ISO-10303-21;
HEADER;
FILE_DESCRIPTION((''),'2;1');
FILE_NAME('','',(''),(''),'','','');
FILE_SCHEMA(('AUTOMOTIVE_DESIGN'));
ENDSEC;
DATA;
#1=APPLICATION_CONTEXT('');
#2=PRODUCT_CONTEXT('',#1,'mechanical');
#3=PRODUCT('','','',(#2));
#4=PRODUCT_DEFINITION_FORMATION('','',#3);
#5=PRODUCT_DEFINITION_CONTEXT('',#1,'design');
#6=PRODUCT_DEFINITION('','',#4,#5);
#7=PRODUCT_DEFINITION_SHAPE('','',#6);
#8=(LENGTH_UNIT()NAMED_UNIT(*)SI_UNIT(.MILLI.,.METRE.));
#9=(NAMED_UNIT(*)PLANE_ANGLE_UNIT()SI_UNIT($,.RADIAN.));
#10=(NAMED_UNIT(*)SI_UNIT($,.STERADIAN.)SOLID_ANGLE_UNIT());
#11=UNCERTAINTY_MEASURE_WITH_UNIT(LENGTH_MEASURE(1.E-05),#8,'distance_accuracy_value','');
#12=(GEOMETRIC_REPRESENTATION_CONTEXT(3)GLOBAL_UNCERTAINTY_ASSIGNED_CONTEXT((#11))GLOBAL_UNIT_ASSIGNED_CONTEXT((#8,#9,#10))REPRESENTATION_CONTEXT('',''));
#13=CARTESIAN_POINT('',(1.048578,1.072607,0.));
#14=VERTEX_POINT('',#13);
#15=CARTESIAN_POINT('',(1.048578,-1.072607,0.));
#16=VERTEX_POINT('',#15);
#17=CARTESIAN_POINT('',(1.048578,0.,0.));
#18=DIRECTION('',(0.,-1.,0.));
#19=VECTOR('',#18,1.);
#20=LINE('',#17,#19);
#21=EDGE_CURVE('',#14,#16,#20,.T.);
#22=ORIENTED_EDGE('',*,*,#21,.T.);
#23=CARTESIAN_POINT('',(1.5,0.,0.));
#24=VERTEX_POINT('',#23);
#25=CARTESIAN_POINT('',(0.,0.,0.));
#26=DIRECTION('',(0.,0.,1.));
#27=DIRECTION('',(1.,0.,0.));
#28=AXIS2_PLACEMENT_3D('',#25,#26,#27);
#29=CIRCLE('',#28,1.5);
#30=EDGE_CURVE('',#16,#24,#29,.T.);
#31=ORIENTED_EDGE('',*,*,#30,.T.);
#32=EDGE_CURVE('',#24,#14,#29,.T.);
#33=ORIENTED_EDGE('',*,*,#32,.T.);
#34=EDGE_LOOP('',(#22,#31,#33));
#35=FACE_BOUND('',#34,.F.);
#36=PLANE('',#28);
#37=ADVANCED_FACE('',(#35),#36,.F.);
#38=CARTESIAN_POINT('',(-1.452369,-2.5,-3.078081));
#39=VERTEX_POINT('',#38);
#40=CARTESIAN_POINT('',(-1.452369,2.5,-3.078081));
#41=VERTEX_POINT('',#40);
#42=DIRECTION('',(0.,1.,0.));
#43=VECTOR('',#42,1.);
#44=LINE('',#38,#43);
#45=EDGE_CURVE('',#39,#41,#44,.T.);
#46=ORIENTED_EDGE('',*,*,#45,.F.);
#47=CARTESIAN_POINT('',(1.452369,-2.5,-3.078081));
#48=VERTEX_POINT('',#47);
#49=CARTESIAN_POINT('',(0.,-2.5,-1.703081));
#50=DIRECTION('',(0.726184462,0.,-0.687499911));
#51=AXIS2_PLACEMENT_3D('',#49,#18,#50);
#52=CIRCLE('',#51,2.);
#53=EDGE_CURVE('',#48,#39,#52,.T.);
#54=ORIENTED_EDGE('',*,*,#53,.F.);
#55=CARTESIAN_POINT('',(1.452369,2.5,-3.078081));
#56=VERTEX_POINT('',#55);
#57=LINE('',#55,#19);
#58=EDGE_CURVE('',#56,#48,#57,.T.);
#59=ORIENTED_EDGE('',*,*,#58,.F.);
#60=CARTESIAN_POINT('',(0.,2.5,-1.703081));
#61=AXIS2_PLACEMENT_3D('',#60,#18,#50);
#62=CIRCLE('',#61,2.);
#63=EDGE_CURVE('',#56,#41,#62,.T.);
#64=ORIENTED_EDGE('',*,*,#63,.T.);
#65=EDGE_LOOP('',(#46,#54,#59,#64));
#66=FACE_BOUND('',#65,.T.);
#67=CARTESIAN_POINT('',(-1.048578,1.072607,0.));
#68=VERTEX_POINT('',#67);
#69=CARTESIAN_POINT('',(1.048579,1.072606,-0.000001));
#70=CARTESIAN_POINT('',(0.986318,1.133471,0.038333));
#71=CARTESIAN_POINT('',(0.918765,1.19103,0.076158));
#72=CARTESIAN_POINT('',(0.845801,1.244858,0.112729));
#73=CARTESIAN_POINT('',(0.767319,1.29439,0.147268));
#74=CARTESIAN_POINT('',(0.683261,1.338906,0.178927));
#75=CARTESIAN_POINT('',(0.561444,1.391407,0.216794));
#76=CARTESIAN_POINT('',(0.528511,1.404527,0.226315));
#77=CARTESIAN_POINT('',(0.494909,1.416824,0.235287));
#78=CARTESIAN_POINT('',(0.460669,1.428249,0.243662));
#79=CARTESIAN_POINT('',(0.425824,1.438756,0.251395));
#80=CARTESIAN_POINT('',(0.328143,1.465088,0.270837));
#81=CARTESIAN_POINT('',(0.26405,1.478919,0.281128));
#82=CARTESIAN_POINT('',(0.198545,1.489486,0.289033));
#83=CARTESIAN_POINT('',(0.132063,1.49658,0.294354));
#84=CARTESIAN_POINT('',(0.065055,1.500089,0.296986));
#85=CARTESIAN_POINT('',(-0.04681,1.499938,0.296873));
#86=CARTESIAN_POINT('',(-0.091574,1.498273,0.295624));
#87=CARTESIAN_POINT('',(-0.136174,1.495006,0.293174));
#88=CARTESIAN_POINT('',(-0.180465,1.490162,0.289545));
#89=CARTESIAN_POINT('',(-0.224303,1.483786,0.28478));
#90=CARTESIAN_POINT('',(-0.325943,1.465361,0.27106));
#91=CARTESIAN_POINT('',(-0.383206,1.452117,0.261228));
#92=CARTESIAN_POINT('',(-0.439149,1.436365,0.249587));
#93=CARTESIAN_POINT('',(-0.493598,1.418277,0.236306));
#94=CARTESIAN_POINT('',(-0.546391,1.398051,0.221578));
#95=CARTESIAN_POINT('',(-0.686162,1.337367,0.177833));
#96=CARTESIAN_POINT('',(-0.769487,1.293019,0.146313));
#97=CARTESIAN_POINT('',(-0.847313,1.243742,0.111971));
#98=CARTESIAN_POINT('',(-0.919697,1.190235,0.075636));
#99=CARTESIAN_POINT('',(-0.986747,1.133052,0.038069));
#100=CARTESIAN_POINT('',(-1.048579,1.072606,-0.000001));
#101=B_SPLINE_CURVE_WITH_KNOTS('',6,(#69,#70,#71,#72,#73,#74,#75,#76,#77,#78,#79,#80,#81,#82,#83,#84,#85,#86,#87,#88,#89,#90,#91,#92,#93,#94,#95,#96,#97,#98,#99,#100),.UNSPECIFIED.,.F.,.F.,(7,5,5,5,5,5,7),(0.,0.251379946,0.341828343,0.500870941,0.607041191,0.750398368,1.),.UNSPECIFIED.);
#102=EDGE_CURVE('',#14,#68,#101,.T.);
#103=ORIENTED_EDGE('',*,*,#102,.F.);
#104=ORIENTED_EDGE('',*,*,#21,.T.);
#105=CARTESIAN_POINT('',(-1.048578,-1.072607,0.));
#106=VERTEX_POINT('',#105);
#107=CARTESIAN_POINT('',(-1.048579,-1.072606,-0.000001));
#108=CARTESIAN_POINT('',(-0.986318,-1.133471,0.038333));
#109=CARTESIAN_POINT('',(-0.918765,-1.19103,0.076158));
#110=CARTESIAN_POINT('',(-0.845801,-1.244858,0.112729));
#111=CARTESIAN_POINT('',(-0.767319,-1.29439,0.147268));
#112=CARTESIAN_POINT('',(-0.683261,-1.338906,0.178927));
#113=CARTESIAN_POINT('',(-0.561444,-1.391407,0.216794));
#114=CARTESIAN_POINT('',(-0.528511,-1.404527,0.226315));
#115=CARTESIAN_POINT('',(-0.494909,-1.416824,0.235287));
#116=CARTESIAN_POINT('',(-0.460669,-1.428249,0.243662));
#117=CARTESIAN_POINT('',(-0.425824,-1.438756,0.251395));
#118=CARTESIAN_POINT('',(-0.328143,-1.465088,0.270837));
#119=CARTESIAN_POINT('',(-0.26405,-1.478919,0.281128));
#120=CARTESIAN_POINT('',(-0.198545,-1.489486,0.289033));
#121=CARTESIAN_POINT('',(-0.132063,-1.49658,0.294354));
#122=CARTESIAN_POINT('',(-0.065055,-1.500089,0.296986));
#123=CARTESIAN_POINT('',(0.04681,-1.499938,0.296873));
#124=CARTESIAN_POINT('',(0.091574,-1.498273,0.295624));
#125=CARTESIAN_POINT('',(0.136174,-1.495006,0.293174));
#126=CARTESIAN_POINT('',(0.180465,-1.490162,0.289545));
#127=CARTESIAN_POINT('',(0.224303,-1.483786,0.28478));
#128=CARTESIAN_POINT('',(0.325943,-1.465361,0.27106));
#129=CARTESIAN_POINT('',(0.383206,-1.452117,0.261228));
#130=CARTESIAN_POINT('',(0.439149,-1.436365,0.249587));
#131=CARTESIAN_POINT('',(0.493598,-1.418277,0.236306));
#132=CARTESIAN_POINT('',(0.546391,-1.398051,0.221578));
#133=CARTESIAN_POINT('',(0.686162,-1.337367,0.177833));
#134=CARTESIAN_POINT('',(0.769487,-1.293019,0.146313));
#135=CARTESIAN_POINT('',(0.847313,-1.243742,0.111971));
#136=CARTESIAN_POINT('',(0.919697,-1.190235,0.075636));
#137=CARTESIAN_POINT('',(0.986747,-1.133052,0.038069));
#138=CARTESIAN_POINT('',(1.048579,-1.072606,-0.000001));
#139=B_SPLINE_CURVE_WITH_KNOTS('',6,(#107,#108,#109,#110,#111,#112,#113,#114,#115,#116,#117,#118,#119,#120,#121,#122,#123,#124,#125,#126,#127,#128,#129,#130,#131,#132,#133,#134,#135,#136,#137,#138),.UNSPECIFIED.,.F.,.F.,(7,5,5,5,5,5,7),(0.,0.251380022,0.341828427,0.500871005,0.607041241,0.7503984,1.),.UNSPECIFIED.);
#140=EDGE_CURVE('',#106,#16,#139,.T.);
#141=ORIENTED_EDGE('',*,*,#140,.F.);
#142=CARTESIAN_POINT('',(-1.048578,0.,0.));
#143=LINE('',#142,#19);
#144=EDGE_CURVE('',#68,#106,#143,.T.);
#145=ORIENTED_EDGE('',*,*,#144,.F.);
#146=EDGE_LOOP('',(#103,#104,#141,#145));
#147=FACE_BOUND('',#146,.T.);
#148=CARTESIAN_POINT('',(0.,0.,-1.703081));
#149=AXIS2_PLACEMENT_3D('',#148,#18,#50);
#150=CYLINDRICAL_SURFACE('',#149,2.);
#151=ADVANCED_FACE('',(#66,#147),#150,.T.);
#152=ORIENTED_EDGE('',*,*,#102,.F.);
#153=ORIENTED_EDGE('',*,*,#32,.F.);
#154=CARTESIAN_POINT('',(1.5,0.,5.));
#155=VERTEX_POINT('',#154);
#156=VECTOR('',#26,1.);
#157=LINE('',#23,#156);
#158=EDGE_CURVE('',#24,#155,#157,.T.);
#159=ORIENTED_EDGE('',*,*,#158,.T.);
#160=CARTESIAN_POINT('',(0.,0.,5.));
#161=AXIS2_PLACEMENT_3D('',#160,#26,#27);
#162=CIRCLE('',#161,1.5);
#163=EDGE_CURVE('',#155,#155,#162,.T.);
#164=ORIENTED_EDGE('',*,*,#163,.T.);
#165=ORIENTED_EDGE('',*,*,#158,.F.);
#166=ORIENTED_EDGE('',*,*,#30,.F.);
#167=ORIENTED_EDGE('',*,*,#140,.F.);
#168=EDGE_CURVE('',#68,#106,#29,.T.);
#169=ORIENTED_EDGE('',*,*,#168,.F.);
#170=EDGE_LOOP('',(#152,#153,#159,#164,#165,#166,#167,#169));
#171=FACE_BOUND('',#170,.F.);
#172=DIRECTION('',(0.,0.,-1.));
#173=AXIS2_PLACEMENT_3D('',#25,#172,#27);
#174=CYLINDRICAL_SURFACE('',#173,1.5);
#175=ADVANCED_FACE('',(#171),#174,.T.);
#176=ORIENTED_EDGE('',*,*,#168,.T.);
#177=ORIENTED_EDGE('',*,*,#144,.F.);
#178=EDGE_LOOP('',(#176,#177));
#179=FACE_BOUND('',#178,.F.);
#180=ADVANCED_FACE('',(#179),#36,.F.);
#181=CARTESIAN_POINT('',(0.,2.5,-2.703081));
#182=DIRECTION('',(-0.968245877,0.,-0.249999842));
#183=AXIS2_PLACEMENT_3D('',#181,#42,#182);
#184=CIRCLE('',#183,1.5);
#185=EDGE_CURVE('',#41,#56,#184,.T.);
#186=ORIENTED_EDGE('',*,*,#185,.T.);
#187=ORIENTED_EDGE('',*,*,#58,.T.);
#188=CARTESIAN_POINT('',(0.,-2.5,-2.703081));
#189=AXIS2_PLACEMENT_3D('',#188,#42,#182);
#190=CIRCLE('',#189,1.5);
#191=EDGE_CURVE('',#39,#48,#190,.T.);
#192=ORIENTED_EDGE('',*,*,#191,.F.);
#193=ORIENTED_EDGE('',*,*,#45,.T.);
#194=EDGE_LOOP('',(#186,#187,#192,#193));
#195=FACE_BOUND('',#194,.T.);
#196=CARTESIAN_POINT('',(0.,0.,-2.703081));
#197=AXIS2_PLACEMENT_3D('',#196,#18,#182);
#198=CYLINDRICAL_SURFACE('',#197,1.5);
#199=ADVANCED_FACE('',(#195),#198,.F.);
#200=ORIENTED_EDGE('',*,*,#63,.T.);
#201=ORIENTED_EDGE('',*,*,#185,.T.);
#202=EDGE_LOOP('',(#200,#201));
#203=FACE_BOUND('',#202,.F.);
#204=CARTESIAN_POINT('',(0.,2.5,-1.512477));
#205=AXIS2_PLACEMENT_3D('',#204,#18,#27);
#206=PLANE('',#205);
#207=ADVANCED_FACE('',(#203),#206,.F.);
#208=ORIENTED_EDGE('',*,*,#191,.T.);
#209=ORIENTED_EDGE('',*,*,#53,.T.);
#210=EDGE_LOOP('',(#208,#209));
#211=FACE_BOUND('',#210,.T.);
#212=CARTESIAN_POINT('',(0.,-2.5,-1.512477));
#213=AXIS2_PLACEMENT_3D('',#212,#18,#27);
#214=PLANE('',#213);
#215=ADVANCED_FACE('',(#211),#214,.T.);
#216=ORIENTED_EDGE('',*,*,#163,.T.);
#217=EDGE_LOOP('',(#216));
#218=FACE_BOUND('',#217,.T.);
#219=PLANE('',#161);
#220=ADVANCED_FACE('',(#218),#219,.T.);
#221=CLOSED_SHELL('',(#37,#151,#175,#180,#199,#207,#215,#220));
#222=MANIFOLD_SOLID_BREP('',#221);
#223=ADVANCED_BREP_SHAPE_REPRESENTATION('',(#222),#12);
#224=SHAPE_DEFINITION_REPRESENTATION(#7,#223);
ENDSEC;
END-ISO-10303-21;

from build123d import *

# Parameters (mm, degrees)
F1_DEPTH = 2.5
F2_R     = 1.5
F3_DEPTH = 5


with BuildPart() as f1:
    # F0 (on Front) → F1 (new body, symmetric)
    with BuildSketch(Plane.XZ):
        with BuildLine():
            ThreePointArc((-1.452369, -3.078081), (0, -1.203081), (1.452369, -3.078081))
            ThreePointArc((1.452369, -3.078081), (0, 0.296919), (-1.452369, -3.078081))
        make_face()
    extrude(amount=F1_DEPTH, both=True)

    # F2 (on Top) → F3 (join)
    with BuildSketch(Plane.XY):
        Circle(F2_R)
    extrude(amount=F3_DEPTH)


solid = f1.part
